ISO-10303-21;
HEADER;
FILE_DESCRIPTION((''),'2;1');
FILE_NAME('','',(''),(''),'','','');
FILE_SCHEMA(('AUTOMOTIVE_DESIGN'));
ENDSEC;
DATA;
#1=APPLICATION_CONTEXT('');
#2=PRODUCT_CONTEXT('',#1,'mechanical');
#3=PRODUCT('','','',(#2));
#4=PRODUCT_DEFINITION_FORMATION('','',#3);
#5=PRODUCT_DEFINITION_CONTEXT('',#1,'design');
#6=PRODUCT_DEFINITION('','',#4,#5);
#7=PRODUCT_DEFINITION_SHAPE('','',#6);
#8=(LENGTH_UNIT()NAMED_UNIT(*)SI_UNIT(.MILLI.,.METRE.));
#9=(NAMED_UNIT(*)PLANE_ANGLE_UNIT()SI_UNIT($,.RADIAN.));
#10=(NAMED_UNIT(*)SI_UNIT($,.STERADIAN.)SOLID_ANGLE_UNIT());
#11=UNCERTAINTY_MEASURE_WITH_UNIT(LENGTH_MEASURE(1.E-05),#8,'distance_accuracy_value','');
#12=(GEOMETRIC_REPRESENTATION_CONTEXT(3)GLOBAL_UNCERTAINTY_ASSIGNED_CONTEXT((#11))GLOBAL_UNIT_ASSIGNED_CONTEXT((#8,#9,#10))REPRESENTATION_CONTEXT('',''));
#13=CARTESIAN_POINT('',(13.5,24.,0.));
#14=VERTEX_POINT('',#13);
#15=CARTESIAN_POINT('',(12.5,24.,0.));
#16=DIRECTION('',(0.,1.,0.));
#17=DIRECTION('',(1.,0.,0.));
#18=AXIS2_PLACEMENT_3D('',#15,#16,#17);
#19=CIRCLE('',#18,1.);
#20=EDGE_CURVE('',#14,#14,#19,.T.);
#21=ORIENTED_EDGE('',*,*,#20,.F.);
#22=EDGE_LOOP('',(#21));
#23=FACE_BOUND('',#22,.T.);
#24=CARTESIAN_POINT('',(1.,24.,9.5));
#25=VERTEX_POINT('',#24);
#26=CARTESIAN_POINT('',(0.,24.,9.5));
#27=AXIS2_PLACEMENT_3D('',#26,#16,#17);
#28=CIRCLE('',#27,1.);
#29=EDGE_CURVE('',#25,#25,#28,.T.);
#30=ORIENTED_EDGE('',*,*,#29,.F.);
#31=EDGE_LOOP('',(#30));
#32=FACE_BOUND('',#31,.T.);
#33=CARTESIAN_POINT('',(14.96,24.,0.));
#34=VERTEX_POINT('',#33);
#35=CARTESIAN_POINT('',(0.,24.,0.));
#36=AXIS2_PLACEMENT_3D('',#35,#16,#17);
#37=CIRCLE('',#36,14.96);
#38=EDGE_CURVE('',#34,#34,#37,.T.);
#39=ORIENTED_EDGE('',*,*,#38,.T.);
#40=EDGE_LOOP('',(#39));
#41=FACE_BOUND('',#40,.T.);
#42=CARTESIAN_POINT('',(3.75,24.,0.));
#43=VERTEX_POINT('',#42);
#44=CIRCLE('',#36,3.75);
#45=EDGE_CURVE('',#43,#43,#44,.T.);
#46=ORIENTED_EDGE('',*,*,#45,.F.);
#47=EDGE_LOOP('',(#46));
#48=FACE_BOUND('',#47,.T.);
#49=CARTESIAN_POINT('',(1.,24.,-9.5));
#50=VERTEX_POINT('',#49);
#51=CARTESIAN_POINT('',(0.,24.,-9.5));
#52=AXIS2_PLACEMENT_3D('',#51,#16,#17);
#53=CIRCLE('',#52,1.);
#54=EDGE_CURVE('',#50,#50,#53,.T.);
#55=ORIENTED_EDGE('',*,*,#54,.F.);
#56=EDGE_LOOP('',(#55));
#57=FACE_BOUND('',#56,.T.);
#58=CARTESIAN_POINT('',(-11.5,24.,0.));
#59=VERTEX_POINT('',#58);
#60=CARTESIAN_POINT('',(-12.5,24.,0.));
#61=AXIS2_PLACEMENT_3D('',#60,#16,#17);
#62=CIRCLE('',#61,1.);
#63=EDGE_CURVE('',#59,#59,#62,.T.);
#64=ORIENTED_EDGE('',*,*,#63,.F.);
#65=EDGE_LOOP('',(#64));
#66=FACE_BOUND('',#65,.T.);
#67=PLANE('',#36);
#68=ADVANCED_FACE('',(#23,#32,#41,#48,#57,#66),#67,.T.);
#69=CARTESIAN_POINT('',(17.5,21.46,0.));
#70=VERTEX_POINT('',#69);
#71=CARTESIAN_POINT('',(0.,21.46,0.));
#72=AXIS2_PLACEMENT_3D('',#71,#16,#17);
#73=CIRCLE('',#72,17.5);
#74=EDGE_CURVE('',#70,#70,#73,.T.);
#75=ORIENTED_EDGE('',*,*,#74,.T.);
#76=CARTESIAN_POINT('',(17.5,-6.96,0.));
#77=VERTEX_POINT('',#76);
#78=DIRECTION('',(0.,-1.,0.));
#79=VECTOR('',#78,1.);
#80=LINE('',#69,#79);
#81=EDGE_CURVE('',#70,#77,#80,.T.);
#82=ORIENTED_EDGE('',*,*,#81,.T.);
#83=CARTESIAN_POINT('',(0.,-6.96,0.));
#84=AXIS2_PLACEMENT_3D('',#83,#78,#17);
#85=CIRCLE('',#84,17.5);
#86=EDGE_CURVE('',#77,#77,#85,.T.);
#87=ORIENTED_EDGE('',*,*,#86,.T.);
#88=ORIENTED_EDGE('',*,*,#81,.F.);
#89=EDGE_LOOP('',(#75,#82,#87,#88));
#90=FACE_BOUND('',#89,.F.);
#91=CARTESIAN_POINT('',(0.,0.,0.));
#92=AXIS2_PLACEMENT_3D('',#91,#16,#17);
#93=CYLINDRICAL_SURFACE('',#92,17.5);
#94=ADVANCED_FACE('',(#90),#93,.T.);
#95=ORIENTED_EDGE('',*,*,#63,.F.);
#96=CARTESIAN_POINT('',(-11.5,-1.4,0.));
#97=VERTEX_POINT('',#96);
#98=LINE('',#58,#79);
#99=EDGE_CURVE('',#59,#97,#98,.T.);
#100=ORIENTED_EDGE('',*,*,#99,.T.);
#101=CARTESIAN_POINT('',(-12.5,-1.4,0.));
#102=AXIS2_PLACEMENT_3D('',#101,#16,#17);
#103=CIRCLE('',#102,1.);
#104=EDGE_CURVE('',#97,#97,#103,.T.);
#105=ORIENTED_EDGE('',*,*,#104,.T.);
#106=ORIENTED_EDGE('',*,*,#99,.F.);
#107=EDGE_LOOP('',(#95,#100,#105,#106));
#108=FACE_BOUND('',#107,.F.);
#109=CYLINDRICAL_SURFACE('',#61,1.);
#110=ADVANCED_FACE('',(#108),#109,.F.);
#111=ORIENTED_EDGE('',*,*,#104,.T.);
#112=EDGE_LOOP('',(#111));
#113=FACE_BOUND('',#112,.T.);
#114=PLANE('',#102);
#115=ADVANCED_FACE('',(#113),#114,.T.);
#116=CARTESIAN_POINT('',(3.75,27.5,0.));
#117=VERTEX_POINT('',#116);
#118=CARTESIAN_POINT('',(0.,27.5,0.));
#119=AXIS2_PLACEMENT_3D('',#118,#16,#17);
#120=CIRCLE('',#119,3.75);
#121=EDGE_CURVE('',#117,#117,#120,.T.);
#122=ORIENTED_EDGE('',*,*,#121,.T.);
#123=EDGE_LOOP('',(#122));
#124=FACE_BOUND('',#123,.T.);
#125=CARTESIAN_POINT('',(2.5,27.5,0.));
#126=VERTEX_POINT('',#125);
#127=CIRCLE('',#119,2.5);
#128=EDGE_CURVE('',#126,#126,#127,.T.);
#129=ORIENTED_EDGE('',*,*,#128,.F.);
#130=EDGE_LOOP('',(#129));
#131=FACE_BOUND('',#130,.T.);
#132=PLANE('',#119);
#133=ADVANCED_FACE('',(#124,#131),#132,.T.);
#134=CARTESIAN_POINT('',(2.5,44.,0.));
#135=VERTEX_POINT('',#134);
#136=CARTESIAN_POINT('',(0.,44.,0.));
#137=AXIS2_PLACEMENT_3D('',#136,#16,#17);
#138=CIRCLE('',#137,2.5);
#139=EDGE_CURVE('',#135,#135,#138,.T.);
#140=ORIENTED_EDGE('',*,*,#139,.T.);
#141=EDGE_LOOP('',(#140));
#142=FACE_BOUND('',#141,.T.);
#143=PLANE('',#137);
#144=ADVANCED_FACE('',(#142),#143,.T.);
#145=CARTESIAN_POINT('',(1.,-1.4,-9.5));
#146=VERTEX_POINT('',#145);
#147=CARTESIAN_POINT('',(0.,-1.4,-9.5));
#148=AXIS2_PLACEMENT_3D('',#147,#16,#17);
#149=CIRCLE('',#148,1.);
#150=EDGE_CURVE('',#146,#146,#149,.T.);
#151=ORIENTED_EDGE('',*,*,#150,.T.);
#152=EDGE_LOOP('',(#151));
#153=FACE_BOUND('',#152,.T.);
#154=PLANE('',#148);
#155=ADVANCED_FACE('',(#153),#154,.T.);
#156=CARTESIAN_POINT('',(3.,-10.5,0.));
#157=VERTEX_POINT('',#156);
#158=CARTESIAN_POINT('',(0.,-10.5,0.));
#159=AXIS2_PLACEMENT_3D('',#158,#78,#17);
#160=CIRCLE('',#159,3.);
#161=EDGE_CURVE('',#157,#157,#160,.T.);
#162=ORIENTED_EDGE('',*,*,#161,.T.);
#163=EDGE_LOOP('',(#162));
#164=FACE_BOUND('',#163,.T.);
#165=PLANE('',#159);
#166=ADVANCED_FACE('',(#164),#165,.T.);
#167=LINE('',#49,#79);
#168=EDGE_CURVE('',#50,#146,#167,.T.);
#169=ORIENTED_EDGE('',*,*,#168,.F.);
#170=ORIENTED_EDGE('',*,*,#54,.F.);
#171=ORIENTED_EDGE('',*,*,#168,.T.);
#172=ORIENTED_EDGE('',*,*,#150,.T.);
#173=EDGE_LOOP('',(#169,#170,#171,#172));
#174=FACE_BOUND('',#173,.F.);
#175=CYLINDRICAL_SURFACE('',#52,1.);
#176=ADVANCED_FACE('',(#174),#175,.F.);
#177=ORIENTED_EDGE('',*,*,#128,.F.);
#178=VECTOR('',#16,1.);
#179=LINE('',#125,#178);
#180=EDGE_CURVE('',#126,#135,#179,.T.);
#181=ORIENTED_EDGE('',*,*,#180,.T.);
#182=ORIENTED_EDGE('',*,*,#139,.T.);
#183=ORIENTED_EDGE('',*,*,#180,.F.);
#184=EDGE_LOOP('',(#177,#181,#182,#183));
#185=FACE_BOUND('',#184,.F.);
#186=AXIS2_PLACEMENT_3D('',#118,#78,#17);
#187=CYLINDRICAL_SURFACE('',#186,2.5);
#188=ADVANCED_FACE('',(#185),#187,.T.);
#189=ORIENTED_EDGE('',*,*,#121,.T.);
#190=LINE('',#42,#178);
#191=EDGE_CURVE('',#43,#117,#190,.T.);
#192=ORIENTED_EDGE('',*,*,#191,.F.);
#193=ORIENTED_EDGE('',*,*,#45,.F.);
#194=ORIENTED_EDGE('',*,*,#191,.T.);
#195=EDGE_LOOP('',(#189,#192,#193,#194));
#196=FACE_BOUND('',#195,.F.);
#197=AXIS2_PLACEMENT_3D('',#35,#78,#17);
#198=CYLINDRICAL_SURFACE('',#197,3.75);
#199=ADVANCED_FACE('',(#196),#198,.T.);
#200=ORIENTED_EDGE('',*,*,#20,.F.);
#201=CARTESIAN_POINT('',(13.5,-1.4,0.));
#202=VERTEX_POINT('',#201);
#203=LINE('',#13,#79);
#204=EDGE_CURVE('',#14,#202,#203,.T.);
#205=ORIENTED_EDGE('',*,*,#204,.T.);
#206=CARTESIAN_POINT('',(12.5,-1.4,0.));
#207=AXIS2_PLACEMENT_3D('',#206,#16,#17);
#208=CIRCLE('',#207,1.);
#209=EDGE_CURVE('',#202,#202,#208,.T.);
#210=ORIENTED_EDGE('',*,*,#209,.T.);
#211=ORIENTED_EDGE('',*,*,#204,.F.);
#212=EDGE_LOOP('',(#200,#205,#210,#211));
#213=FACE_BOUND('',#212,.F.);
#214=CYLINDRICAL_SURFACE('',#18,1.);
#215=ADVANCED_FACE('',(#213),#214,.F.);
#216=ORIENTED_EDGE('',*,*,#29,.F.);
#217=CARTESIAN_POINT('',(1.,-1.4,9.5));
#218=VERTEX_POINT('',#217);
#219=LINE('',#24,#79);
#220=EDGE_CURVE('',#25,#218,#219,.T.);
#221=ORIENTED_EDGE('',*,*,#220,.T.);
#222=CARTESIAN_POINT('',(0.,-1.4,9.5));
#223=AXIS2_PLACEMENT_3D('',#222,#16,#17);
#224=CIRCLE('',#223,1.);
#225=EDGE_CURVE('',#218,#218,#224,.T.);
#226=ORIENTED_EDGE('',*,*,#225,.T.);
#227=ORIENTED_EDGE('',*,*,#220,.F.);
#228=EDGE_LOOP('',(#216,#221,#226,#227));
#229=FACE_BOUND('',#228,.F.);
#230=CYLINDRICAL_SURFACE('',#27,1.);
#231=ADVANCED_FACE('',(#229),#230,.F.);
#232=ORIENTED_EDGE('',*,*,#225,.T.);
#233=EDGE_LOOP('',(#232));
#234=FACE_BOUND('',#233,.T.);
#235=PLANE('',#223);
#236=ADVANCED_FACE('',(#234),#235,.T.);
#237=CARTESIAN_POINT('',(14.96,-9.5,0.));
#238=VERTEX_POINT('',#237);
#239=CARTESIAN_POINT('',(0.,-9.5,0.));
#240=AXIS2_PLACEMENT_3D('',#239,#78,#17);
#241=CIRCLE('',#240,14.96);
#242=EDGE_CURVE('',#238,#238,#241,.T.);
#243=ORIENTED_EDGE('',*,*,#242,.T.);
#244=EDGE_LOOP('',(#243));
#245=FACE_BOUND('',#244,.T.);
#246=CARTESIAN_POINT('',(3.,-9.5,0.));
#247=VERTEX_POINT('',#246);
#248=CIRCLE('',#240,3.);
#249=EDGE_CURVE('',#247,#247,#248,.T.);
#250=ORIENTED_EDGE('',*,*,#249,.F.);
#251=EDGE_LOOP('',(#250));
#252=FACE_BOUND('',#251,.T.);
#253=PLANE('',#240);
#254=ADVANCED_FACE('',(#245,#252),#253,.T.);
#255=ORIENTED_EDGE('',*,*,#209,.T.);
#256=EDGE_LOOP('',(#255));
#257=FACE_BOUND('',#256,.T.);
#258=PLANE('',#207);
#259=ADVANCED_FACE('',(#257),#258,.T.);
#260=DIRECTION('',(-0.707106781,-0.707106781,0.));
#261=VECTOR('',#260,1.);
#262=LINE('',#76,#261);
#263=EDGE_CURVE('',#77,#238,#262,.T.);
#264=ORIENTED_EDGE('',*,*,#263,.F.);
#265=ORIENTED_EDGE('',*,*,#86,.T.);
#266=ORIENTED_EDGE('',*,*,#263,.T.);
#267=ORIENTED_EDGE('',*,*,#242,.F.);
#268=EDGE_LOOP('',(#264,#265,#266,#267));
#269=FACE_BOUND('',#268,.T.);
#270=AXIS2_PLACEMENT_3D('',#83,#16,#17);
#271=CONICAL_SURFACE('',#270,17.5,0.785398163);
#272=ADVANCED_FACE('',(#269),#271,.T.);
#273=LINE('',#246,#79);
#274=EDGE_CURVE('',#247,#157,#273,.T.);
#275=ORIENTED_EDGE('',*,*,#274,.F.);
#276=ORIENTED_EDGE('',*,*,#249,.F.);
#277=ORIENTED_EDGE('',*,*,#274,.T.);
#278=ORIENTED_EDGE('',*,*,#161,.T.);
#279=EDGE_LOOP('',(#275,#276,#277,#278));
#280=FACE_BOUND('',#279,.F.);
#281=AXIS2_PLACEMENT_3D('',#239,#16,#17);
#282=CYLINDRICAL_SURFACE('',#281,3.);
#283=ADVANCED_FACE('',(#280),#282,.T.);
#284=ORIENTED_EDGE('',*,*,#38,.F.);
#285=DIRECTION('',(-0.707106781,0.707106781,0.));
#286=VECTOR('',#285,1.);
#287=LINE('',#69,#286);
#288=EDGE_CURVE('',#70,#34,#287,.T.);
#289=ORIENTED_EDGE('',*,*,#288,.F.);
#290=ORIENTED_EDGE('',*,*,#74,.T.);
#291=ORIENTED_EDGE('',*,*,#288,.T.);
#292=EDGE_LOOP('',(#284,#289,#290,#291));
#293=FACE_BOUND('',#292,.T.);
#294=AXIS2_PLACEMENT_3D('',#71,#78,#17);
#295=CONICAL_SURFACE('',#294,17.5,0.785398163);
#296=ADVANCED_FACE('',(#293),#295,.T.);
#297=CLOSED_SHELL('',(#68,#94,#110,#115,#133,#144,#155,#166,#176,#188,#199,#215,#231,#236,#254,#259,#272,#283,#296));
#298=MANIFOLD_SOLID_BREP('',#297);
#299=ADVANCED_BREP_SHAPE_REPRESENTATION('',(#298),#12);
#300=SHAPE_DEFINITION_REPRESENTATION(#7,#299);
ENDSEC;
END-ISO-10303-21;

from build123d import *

# Parameters (mm, degrees)
SKETCH1_R           = 17.5
BOSS_EXTRUDE1_DEPTH = 24
SKETCH2_R           = 3.75
BOSS_EXTRUDE2_DEPTH = 3.5
SKETCH3_R           = 2.5
BOSS_EXTRUDE3_DEPTH = 16.5
CHAMFER1_SIZE       = 2.54
SKETCH5_R           = 17.5
BOSS_EXTRUDE4_DEPTH = 9.5
CHAMFER2_SIZE       = 2.54
SKETCH6_R           = 3
BOSS_EXTRUDE5_DEPTH = 1
SKETCH7_R           = 1
CUT_EXTRUDE1_DEPTH  = 25.4


with BuildPart() as part:
    # Sketch1 → Boss-Extrude1 (new body)
    with BuildSketch(Plane(origin=(0, 0, 0), x_dir=(1, 0, 0), z_dir=(0, 1, 0))):
        Circle(SKETCH1_R)
    extrude(amount=BOSS_EXTRUDE1_DEPTH)

    # Sketch2 → Boss-Extrude2 (add)
    with BuildSketch(Plane(origin=(0, 24, 0), x_dir=(1, 0, 0), z_dir=(0, 1, 0))):
        Circle(SKETCH2_R)
    extrude(amount=BOSS_EXTRUDE2_DEPTH)

    # Sketch3 → Boss-Extrude3 (add)
    with BuildSketch(Plane(origin=(0, 27.5, 0), x_dir=(1, 0, 0), z_dir=(0, 1, 0))):
        Circle(SKETCH3_R)
    extrude(amount=BOSS_EXTRUDE3_DEPTH)

    # Chamfer1
    chamfer1_edges = [part.edges().sort_by_distance(p)[0] for p in [
        (-17.5, 24, 0),
    ]]
    chamfer(chamfer1_edges, length=CHAMFER1_SIZE)

    # Sketch5 → Boss-Extrude4 (add)
    with BuildSketch(Plane.XZ):
        Circle(SKETCH5_R)
    extrude(amount=BOSS_EXTRUDE4_DEPTH)

    # Chamfer2
    chamfer2_edges = [part.edges().sort_by_distance(p)[0] for p in [
        (-17.5, -9.5, 0),
    ]]
    chamfer(chamfer2_edges, length=CHAMFER2_SIZE)

    # Sketch6 → Boss-Extrude5 (add)
    with BuildSketch(Plane.XZ.offset(9.5)):
        Circle(SKETCH6_R)
    extrude(amount=BOSS_EXTRUDE5_DEPTH)

    # Sketch7 → Cut-Extrude1 (cut)
    with BuildSketch(Plane(origin=(0, 24, 0), x_dir=(1, 0, 0), z_dir=(0, 1, 0))):
        with Locations((0, 9.5)):
            Circle(SKETCH7_R)
        with Locations((12.5, 0)):
            Circle(SKETCH7_R)
        with Locations((0, -9.5)):
            Circle(SKETCH7_R)
        with Locations((-12.5, 0)):
            Circle(SKETCH7_R)
    extrude(amount=-CUT_EXTRUDE1_DEPTH, mode=Mode.SUBTRACT)


solid = part.part
